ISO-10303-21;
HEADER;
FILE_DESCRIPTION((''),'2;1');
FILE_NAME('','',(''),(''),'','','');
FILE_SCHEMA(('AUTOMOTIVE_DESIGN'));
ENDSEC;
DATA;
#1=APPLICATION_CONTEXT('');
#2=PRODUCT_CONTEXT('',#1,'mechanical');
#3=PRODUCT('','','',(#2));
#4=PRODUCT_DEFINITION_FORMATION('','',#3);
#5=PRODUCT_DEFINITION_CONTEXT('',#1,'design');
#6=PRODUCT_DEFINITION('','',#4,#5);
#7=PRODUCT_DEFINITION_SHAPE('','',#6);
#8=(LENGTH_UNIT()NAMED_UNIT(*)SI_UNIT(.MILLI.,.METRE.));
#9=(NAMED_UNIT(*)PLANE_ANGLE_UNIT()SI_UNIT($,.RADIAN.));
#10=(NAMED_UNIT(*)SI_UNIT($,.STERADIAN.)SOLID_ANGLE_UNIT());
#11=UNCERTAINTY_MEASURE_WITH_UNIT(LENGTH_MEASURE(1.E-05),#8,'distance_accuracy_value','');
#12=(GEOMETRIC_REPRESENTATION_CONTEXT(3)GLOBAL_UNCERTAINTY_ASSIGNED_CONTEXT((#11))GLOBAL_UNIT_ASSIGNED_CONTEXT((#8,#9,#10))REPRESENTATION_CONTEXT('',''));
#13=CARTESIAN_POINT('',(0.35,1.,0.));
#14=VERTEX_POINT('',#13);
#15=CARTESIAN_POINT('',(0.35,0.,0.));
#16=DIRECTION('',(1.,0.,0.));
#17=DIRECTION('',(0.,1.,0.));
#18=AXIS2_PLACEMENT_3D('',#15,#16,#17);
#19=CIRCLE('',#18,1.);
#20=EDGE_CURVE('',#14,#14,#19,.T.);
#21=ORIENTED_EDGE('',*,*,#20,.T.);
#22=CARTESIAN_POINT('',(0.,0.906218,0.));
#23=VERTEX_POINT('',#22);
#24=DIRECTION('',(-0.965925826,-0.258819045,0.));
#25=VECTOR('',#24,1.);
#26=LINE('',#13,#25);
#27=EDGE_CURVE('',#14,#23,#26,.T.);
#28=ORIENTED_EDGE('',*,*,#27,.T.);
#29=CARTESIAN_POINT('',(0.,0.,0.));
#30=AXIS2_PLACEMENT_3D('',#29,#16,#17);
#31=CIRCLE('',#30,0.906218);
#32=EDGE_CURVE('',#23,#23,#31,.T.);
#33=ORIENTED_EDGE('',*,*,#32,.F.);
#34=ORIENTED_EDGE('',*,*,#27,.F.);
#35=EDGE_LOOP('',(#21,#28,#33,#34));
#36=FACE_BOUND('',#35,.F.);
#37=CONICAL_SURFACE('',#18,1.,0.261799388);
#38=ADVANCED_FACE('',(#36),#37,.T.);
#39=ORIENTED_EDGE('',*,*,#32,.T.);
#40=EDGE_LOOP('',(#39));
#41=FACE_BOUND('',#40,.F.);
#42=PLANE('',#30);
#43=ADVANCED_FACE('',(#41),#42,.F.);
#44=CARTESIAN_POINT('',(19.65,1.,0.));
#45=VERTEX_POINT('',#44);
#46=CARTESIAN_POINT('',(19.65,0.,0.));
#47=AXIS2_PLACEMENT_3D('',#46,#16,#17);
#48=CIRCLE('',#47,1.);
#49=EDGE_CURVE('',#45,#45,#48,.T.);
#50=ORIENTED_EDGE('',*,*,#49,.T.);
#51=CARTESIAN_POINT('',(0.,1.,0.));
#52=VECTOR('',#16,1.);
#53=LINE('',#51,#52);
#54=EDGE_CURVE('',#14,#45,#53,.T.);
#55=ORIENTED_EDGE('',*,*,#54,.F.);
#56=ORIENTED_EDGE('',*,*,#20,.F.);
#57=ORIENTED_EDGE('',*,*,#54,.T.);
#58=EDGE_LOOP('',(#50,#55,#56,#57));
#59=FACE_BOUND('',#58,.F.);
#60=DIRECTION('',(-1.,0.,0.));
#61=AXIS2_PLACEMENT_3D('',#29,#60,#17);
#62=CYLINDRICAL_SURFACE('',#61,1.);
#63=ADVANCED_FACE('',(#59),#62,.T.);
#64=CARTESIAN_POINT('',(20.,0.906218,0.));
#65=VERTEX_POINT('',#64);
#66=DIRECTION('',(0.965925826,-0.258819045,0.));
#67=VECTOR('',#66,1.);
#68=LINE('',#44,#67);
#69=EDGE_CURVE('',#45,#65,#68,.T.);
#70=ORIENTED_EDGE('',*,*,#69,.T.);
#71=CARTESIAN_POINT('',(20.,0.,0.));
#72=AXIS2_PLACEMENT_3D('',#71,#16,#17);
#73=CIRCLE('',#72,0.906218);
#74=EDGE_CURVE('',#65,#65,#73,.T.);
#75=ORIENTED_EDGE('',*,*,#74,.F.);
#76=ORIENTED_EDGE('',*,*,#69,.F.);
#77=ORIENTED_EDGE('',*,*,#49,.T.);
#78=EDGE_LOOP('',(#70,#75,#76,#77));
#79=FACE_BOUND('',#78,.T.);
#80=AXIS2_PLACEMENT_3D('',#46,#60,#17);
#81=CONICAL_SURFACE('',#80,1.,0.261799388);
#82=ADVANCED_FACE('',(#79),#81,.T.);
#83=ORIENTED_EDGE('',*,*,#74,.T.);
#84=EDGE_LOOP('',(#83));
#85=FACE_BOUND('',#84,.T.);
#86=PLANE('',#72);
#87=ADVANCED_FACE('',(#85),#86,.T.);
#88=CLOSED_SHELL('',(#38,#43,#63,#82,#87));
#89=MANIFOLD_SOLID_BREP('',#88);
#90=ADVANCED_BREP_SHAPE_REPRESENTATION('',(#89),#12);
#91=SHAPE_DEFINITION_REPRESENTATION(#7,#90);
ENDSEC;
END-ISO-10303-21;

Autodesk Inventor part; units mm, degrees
ref_plane "YZ Plane" through (0, 0, 0) normal (1, 0, 0) x (0, 1, 0)
ref_plane "XZ Plane" through (0, 0, 0) normal (0, 1, 0) x (-1, 0, 0)
ref_plane "XY Plane" through (0, 0, 0) normal (0, 0, 1) x (1, 0, 0)
sketch "Skizze" plane through (0, 0, 0) normal (1, 0, 0) x (0, 1, 0)
  circle A0 centre (0, 0) radius 1
  dimension "d1" = 2
extrude "Körper" add sketch "Skizze" along normal blind 20
chamfer "Fase1" distance 0.35 angle 15 1 edges at (0, -1, 0) measured on face at (13.3333, 0.9871, -0.1604)
chamfer "Skizze2" distance 0.35 angle 15 1 edges at (20, -1, 0) measured on face at (13.45, 0.9968, -0.0805)
equation "\"d1\" = NND"
equation "\"d2\" = NLG"
equation "\"d8\" = PHH"
equation "\"d9\" = FAWI"
equation "\"d12\" = PHH"
equation "\"d4\" = PHH"
equation "\"d5\" = FAWI"
equation "\"d11\" = PHH"
equation "\"NND\" = 2"
equation "\"NLG\" = 20"
equation "\"PHH\" = 0.35"
equation "\"FAWI\" = 15deg"
equation "\"KAH\" = 0"
properties part number "ISO 2338 - 2 h8 x 20" material "Edelstahl, austenitisch"
